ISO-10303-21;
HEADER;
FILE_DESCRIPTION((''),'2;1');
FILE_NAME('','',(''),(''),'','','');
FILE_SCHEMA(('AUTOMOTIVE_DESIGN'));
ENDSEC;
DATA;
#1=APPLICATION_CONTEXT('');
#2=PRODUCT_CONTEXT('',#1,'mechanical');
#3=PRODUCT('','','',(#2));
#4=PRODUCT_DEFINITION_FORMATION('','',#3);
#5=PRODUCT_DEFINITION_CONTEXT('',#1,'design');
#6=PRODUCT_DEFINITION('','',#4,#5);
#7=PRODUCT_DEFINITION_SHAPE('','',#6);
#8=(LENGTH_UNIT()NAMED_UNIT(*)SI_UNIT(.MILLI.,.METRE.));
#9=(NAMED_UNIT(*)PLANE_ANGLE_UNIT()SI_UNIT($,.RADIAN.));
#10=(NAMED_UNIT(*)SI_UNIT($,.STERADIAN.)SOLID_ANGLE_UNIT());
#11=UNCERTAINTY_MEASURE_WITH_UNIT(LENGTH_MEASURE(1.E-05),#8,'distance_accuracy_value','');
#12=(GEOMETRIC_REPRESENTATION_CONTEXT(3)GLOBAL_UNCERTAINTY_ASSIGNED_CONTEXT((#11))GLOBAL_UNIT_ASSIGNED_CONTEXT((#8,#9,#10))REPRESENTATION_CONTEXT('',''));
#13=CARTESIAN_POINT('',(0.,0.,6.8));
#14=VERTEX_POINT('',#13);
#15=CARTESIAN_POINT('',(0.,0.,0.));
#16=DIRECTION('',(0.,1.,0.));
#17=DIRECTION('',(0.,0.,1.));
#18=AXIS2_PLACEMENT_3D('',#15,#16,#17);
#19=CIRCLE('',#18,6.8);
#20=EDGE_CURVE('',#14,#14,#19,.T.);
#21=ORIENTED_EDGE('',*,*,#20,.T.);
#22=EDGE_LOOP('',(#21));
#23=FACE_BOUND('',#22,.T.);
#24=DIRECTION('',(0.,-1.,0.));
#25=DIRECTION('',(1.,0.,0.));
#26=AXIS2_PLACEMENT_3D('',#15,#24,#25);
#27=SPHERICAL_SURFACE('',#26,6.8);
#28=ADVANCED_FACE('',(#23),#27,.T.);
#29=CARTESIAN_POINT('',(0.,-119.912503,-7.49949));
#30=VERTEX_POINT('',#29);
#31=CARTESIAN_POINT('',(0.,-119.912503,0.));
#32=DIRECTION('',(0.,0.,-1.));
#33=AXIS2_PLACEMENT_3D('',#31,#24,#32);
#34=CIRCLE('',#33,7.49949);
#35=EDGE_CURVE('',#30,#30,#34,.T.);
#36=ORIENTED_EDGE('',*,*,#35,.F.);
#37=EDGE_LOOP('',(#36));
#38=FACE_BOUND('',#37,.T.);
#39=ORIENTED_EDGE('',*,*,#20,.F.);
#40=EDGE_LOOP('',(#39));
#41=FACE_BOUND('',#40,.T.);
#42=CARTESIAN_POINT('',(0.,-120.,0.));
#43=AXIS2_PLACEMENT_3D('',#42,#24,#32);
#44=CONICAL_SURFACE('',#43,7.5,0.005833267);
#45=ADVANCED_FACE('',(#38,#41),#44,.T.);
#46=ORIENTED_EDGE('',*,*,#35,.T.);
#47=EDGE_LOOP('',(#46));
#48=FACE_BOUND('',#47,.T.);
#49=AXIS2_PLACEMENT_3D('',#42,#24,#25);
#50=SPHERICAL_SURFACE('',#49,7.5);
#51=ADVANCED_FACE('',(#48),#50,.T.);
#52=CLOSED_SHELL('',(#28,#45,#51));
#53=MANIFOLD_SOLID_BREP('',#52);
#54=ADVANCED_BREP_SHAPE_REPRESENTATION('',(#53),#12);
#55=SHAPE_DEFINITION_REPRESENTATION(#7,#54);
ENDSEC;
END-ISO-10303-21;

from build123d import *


with BuildPart() as part:
    # Sketch1 → Diafisis (revolve)
    with BuildSketch(Plane.XY, mode=Mode.PRIVATE) as diafisis_sk:
        Polygon((0, 0), (6.8, 0), (7.5, -120), (0, -120), align=None)
    revolve(diafisis_sk.sketch.rotate(Axis((0, -124, 0), (0, 1, 0)), 90), axis=Axis((0, -124, 0), (0, 1, 0)))

    # Sketch2 → Union_proximal (revolve)
    with BuildSketch(Plane.XY):
        with BuildLine():
            Line((0, -6.8), (0, 6.8))
            ThreePointArc((0, 6.8), (6.8, 0), (0, -6.8))
        make_face()
    revolve(axis=Axis((0, -10.8, 0), (0, 1, 0)))

    # Sketch3 → Union_distal (revolve)
    with BuildSketch(Plane.XY):
        with BuildLine():
            Line((0, -127.5), (0, -112.5))
            ThreePointArc((0, -112.5), (7.5, -120), (0, -127.5))
        make_face()
    revolve(axis=Axis((0, -131.5, 0), (0, 1, 0)))


solid = part.part
